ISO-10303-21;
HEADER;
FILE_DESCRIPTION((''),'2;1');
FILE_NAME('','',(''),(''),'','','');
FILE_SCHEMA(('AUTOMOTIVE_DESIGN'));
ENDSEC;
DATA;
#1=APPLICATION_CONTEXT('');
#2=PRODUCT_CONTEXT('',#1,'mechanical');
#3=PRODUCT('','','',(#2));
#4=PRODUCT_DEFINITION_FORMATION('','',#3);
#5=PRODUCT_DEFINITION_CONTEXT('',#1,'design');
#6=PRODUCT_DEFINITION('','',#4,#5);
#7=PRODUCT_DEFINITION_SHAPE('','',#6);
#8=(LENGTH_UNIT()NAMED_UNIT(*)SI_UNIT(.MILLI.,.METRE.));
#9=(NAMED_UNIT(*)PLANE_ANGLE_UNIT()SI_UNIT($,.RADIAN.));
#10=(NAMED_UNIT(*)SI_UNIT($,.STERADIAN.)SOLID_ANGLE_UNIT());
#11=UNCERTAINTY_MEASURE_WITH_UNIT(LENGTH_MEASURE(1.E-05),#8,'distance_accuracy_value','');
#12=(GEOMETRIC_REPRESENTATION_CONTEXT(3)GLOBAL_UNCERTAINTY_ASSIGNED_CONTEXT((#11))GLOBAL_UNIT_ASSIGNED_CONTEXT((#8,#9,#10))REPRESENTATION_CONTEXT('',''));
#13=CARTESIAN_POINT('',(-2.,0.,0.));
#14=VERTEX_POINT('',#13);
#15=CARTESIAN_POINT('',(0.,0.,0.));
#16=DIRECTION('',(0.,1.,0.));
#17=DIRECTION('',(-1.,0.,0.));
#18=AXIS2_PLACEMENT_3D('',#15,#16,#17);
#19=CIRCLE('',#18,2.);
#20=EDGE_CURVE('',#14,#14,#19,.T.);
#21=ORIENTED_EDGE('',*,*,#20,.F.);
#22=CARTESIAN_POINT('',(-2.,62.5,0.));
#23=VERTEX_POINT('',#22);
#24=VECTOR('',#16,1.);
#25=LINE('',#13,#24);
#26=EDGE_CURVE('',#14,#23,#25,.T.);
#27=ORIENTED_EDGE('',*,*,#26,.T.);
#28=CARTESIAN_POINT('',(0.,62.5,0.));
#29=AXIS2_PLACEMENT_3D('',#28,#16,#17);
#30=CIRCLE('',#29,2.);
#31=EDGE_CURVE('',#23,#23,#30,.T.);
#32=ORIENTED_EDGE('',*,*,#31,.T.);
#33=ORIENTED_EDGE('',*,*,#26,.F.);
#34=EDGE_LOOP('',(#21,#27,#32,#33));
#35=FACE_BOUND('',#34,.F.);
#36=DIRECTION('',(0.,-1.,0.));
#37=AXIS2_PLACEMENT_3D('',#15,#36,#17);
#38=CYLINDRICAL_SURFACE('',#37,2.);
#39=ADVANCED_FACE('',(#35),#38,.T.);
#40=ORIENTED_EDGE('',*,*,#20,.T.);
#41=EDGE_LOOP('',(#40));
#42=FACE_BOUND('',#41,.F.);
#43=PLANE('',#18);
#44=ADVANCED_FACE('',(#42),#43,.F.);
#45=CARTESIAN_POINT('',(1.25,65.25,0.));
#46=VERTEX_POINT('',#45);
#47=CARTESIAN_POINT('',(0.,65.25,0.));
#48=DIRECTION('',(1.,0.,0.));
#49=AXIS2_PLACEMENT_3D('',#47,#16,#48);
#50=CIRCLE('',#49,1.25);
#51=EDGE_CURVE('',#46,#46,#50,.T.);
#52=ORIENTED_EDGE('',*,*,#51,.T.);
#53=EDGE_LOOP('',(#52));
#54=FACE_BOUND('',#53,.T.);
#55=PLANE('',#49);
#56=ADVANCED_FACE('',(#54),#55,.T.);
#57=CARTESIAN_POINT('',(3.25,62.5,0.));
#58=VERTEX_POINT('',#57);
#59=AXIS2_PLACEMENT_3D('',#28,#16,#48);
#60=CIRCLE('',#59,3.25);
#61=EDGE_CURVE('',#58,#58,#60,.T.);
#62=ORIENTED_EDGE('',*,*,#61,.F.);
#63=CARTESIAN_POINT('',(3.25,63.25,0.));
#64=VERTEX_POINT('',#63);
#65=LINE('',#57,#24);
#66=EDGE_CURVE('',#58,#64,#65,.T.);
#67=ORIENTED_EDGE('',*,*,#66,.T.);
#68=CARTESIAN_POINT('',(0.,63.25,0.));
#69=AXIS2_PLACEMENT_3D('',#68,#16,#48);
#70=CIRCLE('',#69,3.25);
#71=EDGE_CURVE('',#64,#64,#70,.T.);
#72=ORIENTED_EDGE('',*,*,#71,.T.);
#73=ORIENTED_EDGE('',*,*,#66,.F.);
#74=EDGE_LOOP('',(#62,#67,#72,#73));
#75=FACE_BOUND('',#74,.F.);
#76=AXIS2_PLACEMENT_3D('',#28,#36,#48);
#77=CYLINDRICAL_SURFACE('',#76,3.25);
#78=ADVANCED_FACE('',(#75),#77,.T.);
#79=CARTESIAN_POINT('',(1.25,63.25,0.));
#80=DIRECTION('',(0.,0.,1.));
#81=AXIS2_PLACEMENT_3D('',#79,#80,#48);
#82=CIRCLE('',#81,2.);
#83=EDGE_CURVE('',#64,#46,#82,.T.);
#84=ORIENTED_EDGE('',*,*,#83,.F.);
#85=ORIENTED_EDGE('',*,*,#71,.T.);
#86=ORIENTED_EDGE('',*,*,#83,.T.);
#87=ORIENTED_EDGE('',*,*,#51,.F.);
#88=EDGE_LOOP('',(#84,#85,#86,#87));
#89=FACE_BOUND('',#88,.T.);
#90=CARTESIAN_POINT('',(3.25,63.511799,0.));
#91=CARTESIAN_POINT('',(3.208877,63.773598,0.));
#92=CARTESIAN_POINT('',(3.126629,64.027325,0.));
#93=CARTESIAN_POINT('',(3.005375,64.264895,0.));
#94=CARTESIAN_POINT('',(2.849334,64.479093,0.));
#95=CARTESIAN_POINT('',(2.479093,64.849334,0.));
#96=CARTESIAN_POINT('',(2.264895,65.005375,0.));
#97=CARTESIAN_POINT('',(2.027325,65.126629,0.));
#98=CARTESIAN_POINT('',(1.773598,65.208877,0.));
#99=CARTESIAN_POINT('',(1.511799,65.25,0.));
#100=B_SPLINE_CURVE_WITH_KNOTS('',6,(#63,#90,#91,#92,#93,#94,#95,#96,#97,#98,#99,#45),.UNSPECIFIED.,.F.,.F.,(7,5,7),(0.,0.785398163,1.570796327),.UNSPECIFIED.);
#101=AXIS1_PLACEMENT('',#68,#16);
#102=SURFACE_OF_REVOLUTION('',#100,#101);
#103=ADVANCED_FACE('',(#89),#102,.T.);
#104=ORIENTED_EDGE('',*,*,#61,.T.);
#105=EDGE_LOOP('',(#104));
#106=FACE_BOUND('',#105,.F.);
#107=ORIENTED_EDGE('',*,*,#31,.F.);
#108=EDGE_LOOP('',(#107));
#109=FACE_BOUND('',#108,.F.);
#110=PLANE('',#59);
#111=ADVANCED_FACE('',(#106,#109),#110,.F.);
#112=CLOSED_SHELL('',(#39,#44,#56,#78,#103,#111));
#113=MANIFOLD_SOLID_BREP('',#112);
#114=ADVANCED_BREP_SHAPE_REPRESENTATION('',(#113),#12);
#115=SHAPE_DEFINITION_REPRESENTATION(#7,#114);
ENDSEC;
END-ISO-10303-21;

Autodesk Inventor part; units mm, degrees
ref_plane "YZ Plane" through (0, 0, 0) normal (1, 0, 0) x (0, 1, 0)
ref_plane "XZ Plane" through (0, 0, 0) normal (0, 1, 0) x (-1, 0, 0)
ref_plane "XY Plane" through (0, 0, 0) normal (0, 0, 1) x (1, 0, 0)
sketch "Sketch1" plane through (0, 0, 0) normal (0, 1, 0) x (-1, 0, 0)
  circle A0 centre (0, 0) radius 2
  dimension "d0" = 4
extrude "Extrusion1" add sketch "Sketch1" along normal blind 62.5
sketch "Sketch2" plane through (0, 62.5, 0) normal (0, 1, 0) x (1, 0, 0)
  circle A0 centre (0, 0) radius 3.25
  dimension "d3" = 6.5
extrude "Extrusion2" add sketch "Sketch2" along normal blind 2.75
fillet "Fillet1" radius 2 1 edges at (-3.25, 65.25, 0)
properties part number "EJE_TORNILLO"
